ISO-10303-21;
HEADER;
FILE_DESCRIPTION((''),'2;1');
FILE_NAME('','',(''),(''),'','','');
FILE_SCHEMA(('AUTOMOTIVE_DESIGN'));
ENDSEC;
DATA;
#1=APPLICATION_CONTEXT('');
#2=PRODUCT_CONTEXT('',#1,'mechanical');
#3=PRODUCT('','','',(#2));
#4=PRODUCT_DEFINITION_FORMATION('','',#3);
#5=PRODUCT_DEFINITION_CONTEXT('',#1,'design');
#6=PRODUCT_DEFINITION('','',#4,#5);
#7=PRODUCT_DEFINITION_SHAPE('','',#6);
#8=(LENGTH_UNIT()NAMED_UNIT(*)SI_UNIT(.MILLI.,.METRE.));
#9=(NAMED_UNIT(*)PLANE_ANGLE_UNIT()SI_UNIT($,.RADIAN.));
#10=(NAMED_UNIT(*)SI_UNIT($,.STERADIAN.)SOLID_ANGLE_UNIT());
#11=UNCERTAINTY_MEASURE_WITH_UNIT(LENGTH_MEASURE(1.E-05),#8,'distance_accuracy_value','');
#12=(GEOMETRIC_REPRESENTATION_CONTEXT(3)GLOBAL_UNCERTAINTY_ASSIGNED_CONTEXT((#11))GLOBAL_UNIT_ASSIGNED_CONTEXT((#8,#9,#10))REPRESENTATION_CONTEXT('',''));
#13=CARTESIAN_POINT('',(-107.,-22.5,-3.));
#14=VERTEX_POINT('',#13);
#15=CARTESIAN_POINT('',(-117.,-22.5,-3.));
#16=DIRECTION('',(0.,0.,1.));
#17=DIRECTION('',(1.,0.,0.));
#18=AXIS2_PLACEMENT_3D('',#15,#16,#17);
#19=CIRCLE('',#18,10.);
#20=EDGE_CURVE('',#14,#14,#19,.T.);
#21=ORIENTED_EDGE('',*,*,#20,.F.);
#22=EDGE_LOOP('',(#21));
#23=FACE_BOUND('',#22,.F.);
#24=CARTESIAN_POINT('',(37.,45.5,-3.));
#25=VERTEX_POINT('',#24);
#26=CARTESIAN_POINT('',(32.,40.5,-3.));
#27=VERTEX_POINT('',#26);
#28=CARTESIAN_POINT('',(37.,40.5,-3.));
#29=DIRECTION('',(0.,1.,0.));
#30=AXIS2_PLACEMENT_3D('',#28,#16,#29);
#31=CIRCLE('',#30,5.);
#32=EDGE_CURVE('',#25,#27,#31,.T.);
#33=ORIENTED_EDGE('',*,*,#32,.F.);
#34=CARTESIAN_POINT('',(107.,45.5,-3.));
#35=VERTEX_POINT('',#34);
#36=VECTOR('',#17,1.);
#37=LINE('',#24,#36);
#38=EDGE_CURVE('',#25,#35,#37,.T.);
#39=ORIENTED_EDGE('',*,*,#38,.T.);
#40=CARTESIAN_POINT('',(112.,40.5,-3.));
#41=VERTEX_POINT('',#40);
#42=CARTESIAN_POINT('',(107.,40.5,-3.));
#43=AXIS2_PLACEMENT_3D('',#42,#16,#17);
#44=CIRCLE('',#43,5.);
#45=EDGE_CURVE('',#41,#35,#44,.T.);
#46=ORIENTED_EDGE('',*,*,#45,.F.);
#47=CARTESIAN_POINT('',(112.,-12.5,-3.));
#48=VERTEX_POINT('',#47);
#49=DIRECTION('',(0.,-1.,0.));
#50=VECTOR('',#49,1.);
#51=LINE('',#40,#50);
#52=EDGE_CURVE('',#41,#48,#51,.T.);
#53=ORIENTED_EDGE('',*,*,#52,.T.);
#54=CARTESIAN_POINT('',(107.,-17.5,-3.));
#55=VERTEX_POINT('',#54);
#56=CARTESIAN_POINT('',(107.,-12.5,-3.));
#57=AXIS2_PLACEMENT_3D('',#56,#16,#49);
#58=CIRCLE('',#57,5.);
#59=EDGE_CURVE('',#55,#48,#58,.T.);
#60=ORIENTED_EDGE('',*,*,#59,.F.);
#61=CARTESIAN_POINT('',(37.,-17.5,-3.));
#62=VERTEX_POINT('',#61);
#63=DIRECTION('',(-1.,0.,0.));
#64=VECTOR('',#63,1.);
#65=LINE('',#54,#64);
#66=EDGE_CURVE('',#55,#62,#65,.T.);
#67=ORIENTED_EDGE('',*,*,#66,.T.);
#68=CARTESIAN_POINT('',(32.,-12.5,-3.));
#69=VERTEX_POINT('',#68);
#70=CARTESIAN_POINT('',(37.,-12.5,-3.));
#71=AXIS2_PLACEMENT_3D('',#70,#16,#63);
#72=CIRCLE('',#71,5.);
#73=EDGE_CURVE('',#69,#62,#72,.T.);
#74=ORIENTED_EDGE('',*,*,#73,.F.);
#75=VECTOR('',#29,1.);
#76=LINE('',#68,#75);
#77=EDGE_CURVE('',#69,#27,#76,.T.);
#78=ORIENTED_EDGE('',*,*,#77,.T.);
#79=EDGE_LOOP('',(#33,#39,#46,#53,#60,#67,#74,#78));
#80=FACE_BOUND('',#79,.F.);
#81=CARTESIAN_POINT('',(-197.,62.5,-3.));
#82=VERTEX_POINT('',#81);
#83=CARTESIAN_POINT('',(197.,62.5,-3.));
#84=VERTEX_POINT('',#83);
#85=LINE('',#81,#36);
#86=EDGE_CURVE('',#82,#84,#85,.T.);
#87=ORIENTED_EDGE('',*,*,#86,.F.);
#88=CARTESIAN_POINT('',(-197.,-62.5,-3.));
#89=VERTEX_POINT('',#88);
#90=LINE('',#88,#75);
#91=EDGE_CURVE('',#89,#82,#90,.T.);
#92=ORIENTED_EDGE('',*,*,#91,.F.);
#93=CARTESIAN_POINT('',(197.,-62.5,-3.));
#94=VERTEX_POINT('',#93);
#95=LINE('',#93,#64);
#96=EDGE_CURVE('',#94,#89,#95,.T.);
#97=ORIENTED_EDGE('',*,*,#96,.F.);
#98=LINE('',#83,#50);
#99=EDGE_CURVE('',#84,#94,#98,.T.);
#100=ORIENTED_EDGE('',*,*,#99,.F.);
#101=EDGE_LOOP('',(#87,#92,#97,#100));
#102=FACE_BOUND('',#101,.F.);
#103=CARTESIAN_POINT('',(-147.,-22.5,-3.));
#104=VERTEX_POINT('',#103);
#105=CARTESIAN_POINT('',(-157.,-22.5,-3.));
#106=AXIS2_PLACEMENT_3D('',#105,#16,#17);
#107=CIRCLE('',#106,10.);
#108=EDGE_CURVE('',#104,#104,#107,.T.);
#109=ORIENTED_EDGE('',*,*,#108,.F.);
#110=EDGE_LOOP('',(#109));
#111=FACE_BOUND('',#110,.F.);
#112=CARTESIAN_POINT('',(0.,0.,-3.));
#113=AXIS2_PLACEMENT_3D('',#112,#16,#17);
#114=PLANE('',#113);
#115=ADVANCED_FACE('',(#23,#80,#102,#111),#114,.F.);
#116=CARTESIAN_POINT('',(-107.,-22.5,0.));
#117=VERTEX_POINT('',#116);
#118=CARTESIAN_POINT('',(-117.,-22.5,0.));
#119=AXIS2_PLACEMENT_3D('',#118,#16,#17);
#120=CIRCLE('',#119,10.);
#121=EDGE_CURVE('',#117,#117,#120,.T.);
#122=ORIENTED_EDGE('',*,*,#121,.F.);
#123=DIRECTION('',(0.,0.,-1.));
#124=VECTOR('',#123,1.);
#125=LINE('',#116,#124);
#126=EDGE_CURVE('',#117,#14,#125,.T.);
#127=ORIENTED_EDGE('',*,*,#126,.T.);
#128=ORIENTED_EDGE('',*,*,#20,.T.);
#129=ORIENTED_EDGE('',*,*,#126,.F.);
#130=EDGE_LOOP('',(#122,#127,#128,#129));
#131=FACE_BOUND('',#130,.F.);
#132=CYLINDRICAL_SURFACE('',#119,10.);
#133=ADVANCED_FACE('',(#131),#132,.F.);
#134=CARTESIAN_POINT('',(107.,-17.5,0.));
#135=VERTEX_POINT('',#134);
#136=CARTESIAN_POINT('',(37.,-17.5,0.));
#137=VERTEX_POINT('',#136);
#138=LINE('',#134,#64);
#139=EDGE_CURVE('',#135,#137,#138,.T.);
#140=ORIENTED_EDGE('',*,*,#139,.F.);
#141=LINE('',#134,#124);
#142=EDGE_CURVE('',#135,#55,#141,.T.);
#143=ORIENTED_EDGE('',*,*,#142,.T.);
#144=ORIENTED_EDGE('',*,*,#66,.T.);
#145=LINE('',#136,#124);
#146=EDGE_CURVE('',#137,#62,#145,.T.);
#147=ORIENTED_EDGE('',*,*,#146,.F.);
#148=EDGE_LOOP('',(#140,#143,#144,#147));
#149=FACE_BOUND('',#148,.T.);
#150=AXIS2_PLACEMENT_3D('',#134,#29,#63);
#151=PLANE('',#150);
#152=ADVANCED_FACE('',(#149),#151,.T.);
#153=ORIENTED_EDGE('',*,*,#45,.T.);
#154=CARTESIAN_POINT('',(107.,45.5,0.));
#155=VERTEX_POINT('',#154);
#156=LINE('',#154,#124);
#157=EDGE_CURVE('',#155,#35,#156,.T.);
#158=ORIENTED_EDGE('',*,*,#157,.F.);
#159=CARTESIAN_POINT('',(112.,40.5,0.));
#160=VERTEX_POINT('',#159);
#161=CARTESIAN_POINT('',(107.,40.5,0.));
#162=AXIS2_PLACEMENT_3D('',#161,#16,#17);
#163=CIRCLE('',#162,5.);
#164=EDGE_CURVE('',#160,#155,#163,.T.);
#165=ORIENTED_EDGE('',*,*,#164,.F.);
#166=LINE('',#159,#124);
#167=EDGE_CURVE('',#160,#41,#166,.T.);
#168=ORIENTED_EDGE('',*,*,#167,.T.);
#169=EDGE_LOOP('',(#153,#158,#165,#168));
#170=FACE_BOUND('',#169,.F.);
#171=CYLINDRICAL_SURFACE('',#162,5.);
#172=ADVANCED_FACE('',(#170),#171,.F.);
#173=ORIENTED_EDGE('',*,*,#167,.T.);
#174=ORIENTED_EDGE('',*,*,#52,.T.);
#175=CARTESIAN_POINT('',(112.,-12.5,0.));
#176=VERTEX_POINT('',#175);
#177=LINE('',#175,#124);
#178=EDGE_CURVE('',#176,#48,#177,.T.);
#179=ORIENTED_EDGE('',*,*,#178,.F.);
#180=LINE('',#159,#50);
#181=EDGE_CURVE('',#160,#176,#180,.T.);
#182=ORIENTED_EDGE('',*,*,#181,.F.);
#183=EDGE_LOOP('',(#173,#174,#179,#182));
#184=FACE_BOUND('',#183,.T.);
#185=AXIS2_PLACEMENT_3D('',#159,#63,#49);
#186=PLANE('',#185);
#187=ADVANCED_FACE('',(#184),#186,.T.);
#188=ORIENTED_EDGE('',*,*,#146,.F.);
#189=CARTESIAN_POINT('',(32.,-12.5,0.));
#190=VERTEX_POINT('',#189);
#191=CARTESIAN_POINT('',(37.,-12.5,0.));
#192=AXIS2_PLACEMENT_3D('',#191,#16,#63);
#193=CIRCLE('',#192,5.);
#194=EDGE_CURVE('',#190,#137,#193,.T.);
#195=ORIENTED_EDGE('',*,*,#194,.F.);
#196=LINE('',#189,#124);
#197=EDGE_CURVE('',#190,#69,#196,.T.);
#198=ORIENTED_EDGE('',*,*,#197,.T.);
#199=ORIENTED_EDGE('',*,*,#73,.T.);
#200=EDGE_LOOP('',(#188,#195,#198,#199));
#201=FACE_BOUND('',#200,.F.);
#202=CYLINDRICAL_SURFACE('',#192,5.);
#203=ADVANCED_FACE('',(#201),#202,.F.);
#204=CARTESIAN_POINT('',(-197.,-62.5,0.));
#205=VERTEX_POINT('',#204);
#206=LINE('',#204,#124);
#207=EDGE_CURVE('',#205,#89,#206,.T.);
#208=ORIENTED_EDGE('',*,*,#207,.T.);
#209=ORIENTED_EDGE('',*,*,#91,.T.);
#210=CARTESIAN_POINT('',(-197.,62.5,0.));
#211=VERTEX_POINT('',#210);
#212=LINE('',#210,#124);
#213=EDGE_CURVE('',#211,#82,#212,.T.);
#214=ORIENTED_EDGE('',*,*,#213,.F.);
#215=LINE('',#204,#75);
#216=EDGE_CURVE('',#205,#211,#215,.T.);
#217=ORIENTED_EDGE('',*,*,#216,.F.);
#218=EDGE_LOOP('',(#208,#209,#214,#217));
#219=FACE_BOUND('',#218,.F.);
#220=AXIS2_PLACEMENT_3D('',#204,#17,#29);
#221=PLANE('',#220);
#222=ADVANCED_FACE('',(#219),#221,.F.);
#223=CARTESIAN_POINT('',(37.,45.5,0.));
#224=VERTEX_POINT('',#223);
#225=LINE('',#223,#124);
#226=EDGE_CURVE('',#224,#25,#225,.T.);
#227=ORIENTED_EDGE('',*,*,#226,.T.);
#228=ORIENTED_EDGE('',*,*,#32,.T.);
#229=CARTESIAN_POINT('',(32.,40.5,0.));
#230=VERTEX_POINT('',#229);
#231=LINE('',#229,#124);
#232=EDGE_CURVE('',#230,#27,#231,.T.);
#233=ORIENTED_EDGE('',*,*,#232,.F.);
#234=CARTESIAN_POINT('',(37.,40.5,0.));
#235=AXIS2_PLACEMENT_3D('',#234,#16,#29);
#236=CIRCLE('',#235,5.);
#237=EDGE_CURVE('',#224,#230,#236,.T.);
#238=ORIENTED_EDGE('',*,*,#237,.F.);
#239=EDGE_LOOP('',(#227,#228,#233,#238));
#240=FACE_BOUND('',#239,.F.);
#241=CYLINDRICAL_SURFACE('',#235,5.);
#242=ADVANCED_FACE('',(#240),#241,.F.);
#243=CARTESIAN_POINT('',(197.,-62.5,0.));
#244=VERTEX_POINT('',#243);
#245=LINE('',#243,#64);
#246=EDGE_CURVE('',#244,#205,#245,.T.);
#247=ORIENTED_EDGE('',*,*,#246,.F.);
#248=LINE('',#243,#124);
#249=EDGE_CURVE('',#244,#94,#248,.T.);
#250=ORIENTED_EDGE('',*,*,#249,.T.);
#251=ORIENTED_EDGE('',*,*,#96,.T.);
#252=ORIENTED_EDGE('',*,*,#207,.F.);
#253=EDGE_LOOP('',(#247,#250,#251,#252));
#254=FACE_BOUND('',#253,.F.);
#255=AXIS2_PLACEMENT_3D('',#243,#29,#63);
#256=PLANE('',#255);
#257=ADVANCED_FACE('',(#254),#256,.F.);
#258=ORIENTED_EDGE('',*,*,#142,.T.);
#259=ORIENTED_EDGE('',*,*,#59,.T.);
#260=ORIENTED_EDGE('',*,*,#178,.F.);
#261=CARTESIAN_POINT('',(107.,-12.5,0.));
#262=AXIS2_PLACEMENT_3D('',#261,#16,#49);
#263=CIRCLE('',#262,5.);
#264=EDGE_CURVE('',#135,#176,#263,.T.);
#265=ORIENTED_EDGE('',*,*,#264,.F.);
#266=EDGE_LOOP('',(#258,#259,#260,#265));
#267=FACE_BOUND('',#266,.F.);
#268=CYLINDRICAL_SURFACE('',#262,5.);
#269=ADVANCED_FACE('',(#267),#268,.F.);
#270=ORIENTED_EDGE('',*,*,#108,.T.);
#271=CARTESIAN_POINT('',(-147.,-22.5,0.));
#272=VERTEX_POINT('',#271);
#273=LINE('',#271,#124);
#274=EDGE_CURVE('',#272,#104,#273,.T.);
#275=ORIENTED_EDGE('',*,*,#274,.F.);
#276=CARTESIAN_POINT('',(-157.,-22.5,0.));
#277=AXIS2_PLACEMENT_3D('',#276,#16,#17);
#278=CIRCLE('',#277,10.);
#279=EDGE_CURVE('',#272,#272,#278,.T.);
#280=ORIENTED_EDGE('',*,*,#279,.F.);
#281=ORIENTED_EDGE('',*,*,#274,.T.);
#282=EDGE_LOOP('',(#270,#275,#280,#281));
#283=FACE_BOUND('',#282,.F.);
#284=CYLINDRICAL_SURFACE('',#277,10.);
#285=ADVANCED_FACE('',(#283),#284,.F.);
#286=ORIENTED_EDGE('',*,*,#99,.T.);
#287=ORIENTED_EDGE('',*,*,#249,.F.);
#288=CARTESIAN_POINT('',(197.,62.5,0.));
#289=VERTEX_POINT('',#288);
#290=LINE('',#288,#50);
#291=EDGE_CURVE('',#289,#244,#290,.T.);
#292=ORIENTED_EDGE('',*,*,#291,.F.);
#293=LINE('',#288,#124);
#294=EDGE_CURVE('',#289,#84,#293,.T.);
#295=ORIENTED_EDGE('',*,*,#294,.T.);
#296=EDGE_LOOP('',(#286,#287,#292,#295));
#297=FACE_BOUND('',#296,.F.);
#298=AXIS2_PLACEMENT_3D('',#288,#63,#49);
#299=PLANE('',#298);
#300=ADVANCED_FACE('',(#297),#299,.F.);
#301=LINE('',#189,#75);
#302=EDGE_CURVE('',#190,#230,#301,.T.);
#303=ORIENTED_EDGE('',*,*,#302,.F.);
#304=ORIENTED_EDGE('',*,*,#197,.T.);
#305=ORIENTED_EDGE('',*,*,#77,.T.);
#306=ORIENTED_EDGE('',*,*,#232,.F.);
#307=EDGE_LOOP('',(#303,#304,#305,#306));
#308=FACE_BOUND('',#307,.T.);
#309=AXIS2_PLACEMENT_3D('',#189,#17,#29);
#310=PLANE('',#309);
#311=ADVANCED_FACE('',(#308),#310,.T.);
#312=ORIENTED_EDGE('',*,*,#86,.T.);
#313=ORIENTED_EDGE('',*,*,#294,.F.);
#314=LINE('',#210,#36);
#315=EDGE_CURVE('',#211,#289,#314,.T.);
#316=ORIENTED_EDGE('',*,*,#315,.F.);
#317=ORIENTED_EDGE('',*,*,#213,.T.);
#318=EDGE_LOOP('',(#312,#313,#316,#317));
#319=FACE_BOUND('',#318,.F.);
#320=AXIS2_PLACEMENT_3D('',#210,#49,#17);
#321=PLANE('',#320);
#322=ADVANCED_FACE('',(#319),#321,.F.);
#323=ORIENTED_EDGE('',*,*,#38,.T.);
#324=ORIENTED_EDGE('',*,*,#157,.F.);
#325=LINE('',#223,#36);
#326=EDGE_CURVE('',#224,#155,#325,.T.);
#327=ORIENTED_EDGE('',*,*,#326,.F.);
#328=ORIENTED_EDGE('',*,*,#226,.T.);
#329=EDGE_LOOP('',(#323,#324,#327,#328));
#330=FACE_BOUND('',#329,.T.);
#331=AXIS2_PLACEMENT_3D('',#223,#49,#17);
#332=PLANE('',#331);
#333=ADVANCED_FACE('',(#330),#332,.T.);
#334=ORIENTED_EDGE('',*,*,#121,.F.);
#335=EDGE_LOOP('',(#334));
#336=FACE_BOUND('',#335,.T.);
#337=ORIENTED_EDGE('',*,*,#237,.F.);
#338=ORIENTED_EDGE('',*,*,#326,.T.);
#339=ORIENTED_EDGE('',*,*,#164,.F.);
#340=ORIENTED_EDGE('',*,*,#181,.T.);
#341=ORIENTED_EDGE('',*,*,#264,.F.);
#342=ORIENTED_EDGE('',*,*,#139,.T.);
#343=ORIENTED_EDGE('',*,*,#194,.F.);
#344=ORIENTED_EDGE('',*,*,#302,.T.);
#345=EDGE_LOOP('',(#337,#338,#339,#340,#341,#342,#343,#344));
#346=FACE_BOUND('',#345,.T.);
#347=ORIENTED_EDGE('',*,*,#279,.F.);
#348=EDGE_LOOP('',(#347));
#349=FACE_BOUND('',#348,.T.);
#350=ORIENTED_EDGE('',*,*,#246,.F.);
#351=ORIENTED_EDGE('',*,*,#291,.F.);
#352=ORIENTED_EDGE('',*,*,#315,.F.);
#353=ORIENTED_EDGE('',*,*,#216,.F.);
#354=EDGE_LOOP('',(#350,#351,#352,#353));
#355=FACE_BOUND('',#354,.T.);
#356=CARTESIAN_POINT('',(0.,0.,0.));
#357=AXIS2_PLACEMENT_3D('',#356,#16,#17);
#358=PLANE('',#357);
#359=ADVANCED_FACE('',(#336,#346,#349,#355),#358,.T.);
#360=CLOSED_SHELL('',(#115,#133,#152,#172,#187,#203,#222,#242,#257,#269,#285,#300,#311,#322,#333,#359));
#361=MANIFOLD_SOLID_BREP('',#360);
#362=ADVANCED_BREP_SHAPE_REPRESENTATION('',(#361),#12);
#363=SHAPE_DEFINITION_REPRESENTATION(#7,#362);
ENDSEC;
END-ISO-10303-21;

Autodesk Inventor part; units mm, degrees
ref_plane "YZ Plane" through (0, 0, 0) normal (1, 0, 0) x (0, 1, 0)
ref_plane "XZ Plane" through (0, 0, 0) normal (0, 1, 0) x (-1, 0, 0)
ref_plane "XY Plane" through (0, 0, 0) normal (0, 0, 1) x (1, 0, 0)
sketch "Sketch1" plane through (0, 0, 0) normal (0, 0, 1) x (1, 0, 0)
  line L0 (-197, 62.5) -> (197, 62.5)
  line L1 (197, 62.5) -> (197, -62.5)
  line L2 (197, -62.5) -> (-197, -62.5)
  line L3 (-197, -62.5) -> (-197, 62.5)
  line L4 (-197, 62.5) -> (197, -62.5) construction
  line L5 (197, 62.5) -> (-197, -62.5) construction
  point P0 (0, 0)
  dimension "d0" = 394
  dimension "d1" = 125
extrude "Extrusion1" add sketch "Sketch1" against normal blind 3
sketch "Sketch2" plane through (0, 0, 0) normal (0, 0, 1) x (1, 0, 0)
  circle A0 centre (-157, -22.5) radius 10
  circle A1 centre (-117, -22.5) radius 10
  line L0 (-197, -62.5) -> (197, -62.5) projected
  line L1 (-197, 62.5) -> (-197, -62.5) projected
  line L2 (37, 45.5) -> (107, 45.5)
  line L3 (112, 40.5) -> (112, -12.5)
  line L4 (107, -17.5) -> (37, -17.5)
  line L5 (32, -12.5) -> (32, 40.5)
  line L6 (197, 62.5) -> (-197, 62.5) projected
  line L7 (197, -62.5) -> (197, 62.5) projected
  arc A2 (37, 45.5) -> (32, 40.5) centre (37, 40.5) ccw
  arc A3 (112, 40.5) -> (107, 45.5) centre (107, 40.5) ccw
  arc A4 (107, -17.5) -> (112, -12.5) centre (107, -12.5) ccw
  arc A5 (32, -12.5) -> (37, -17.5) centre (37, -12.5) ccw
  point P0 (0, 0)
  point P1 (32, 45.5)
  point P2 (112, -17.5)
  point P3 (112, 45.5)
  point P4 (32, -17.5)
  dimension "d4" = 20
  dimension "USB" = 20
  dimension "d6" = 40
  dimension "d7" = 40
  dimension "d8" = 40
  dimension "d9" = 40
  dimension "d10" = 63
  dimension "d11" = 17
  dimension "d12" = 80
  dimension "d13" = 85
  dimension "d16" = 5
extrude "Extrusion2" cut sketch "Sketch2" against normal blind 3 contours A0 | A1 | L2 A3 L3 A4 L4 A5 L5 A2
equation "\"d4\" = USB"
properties part number "BackPanel"
